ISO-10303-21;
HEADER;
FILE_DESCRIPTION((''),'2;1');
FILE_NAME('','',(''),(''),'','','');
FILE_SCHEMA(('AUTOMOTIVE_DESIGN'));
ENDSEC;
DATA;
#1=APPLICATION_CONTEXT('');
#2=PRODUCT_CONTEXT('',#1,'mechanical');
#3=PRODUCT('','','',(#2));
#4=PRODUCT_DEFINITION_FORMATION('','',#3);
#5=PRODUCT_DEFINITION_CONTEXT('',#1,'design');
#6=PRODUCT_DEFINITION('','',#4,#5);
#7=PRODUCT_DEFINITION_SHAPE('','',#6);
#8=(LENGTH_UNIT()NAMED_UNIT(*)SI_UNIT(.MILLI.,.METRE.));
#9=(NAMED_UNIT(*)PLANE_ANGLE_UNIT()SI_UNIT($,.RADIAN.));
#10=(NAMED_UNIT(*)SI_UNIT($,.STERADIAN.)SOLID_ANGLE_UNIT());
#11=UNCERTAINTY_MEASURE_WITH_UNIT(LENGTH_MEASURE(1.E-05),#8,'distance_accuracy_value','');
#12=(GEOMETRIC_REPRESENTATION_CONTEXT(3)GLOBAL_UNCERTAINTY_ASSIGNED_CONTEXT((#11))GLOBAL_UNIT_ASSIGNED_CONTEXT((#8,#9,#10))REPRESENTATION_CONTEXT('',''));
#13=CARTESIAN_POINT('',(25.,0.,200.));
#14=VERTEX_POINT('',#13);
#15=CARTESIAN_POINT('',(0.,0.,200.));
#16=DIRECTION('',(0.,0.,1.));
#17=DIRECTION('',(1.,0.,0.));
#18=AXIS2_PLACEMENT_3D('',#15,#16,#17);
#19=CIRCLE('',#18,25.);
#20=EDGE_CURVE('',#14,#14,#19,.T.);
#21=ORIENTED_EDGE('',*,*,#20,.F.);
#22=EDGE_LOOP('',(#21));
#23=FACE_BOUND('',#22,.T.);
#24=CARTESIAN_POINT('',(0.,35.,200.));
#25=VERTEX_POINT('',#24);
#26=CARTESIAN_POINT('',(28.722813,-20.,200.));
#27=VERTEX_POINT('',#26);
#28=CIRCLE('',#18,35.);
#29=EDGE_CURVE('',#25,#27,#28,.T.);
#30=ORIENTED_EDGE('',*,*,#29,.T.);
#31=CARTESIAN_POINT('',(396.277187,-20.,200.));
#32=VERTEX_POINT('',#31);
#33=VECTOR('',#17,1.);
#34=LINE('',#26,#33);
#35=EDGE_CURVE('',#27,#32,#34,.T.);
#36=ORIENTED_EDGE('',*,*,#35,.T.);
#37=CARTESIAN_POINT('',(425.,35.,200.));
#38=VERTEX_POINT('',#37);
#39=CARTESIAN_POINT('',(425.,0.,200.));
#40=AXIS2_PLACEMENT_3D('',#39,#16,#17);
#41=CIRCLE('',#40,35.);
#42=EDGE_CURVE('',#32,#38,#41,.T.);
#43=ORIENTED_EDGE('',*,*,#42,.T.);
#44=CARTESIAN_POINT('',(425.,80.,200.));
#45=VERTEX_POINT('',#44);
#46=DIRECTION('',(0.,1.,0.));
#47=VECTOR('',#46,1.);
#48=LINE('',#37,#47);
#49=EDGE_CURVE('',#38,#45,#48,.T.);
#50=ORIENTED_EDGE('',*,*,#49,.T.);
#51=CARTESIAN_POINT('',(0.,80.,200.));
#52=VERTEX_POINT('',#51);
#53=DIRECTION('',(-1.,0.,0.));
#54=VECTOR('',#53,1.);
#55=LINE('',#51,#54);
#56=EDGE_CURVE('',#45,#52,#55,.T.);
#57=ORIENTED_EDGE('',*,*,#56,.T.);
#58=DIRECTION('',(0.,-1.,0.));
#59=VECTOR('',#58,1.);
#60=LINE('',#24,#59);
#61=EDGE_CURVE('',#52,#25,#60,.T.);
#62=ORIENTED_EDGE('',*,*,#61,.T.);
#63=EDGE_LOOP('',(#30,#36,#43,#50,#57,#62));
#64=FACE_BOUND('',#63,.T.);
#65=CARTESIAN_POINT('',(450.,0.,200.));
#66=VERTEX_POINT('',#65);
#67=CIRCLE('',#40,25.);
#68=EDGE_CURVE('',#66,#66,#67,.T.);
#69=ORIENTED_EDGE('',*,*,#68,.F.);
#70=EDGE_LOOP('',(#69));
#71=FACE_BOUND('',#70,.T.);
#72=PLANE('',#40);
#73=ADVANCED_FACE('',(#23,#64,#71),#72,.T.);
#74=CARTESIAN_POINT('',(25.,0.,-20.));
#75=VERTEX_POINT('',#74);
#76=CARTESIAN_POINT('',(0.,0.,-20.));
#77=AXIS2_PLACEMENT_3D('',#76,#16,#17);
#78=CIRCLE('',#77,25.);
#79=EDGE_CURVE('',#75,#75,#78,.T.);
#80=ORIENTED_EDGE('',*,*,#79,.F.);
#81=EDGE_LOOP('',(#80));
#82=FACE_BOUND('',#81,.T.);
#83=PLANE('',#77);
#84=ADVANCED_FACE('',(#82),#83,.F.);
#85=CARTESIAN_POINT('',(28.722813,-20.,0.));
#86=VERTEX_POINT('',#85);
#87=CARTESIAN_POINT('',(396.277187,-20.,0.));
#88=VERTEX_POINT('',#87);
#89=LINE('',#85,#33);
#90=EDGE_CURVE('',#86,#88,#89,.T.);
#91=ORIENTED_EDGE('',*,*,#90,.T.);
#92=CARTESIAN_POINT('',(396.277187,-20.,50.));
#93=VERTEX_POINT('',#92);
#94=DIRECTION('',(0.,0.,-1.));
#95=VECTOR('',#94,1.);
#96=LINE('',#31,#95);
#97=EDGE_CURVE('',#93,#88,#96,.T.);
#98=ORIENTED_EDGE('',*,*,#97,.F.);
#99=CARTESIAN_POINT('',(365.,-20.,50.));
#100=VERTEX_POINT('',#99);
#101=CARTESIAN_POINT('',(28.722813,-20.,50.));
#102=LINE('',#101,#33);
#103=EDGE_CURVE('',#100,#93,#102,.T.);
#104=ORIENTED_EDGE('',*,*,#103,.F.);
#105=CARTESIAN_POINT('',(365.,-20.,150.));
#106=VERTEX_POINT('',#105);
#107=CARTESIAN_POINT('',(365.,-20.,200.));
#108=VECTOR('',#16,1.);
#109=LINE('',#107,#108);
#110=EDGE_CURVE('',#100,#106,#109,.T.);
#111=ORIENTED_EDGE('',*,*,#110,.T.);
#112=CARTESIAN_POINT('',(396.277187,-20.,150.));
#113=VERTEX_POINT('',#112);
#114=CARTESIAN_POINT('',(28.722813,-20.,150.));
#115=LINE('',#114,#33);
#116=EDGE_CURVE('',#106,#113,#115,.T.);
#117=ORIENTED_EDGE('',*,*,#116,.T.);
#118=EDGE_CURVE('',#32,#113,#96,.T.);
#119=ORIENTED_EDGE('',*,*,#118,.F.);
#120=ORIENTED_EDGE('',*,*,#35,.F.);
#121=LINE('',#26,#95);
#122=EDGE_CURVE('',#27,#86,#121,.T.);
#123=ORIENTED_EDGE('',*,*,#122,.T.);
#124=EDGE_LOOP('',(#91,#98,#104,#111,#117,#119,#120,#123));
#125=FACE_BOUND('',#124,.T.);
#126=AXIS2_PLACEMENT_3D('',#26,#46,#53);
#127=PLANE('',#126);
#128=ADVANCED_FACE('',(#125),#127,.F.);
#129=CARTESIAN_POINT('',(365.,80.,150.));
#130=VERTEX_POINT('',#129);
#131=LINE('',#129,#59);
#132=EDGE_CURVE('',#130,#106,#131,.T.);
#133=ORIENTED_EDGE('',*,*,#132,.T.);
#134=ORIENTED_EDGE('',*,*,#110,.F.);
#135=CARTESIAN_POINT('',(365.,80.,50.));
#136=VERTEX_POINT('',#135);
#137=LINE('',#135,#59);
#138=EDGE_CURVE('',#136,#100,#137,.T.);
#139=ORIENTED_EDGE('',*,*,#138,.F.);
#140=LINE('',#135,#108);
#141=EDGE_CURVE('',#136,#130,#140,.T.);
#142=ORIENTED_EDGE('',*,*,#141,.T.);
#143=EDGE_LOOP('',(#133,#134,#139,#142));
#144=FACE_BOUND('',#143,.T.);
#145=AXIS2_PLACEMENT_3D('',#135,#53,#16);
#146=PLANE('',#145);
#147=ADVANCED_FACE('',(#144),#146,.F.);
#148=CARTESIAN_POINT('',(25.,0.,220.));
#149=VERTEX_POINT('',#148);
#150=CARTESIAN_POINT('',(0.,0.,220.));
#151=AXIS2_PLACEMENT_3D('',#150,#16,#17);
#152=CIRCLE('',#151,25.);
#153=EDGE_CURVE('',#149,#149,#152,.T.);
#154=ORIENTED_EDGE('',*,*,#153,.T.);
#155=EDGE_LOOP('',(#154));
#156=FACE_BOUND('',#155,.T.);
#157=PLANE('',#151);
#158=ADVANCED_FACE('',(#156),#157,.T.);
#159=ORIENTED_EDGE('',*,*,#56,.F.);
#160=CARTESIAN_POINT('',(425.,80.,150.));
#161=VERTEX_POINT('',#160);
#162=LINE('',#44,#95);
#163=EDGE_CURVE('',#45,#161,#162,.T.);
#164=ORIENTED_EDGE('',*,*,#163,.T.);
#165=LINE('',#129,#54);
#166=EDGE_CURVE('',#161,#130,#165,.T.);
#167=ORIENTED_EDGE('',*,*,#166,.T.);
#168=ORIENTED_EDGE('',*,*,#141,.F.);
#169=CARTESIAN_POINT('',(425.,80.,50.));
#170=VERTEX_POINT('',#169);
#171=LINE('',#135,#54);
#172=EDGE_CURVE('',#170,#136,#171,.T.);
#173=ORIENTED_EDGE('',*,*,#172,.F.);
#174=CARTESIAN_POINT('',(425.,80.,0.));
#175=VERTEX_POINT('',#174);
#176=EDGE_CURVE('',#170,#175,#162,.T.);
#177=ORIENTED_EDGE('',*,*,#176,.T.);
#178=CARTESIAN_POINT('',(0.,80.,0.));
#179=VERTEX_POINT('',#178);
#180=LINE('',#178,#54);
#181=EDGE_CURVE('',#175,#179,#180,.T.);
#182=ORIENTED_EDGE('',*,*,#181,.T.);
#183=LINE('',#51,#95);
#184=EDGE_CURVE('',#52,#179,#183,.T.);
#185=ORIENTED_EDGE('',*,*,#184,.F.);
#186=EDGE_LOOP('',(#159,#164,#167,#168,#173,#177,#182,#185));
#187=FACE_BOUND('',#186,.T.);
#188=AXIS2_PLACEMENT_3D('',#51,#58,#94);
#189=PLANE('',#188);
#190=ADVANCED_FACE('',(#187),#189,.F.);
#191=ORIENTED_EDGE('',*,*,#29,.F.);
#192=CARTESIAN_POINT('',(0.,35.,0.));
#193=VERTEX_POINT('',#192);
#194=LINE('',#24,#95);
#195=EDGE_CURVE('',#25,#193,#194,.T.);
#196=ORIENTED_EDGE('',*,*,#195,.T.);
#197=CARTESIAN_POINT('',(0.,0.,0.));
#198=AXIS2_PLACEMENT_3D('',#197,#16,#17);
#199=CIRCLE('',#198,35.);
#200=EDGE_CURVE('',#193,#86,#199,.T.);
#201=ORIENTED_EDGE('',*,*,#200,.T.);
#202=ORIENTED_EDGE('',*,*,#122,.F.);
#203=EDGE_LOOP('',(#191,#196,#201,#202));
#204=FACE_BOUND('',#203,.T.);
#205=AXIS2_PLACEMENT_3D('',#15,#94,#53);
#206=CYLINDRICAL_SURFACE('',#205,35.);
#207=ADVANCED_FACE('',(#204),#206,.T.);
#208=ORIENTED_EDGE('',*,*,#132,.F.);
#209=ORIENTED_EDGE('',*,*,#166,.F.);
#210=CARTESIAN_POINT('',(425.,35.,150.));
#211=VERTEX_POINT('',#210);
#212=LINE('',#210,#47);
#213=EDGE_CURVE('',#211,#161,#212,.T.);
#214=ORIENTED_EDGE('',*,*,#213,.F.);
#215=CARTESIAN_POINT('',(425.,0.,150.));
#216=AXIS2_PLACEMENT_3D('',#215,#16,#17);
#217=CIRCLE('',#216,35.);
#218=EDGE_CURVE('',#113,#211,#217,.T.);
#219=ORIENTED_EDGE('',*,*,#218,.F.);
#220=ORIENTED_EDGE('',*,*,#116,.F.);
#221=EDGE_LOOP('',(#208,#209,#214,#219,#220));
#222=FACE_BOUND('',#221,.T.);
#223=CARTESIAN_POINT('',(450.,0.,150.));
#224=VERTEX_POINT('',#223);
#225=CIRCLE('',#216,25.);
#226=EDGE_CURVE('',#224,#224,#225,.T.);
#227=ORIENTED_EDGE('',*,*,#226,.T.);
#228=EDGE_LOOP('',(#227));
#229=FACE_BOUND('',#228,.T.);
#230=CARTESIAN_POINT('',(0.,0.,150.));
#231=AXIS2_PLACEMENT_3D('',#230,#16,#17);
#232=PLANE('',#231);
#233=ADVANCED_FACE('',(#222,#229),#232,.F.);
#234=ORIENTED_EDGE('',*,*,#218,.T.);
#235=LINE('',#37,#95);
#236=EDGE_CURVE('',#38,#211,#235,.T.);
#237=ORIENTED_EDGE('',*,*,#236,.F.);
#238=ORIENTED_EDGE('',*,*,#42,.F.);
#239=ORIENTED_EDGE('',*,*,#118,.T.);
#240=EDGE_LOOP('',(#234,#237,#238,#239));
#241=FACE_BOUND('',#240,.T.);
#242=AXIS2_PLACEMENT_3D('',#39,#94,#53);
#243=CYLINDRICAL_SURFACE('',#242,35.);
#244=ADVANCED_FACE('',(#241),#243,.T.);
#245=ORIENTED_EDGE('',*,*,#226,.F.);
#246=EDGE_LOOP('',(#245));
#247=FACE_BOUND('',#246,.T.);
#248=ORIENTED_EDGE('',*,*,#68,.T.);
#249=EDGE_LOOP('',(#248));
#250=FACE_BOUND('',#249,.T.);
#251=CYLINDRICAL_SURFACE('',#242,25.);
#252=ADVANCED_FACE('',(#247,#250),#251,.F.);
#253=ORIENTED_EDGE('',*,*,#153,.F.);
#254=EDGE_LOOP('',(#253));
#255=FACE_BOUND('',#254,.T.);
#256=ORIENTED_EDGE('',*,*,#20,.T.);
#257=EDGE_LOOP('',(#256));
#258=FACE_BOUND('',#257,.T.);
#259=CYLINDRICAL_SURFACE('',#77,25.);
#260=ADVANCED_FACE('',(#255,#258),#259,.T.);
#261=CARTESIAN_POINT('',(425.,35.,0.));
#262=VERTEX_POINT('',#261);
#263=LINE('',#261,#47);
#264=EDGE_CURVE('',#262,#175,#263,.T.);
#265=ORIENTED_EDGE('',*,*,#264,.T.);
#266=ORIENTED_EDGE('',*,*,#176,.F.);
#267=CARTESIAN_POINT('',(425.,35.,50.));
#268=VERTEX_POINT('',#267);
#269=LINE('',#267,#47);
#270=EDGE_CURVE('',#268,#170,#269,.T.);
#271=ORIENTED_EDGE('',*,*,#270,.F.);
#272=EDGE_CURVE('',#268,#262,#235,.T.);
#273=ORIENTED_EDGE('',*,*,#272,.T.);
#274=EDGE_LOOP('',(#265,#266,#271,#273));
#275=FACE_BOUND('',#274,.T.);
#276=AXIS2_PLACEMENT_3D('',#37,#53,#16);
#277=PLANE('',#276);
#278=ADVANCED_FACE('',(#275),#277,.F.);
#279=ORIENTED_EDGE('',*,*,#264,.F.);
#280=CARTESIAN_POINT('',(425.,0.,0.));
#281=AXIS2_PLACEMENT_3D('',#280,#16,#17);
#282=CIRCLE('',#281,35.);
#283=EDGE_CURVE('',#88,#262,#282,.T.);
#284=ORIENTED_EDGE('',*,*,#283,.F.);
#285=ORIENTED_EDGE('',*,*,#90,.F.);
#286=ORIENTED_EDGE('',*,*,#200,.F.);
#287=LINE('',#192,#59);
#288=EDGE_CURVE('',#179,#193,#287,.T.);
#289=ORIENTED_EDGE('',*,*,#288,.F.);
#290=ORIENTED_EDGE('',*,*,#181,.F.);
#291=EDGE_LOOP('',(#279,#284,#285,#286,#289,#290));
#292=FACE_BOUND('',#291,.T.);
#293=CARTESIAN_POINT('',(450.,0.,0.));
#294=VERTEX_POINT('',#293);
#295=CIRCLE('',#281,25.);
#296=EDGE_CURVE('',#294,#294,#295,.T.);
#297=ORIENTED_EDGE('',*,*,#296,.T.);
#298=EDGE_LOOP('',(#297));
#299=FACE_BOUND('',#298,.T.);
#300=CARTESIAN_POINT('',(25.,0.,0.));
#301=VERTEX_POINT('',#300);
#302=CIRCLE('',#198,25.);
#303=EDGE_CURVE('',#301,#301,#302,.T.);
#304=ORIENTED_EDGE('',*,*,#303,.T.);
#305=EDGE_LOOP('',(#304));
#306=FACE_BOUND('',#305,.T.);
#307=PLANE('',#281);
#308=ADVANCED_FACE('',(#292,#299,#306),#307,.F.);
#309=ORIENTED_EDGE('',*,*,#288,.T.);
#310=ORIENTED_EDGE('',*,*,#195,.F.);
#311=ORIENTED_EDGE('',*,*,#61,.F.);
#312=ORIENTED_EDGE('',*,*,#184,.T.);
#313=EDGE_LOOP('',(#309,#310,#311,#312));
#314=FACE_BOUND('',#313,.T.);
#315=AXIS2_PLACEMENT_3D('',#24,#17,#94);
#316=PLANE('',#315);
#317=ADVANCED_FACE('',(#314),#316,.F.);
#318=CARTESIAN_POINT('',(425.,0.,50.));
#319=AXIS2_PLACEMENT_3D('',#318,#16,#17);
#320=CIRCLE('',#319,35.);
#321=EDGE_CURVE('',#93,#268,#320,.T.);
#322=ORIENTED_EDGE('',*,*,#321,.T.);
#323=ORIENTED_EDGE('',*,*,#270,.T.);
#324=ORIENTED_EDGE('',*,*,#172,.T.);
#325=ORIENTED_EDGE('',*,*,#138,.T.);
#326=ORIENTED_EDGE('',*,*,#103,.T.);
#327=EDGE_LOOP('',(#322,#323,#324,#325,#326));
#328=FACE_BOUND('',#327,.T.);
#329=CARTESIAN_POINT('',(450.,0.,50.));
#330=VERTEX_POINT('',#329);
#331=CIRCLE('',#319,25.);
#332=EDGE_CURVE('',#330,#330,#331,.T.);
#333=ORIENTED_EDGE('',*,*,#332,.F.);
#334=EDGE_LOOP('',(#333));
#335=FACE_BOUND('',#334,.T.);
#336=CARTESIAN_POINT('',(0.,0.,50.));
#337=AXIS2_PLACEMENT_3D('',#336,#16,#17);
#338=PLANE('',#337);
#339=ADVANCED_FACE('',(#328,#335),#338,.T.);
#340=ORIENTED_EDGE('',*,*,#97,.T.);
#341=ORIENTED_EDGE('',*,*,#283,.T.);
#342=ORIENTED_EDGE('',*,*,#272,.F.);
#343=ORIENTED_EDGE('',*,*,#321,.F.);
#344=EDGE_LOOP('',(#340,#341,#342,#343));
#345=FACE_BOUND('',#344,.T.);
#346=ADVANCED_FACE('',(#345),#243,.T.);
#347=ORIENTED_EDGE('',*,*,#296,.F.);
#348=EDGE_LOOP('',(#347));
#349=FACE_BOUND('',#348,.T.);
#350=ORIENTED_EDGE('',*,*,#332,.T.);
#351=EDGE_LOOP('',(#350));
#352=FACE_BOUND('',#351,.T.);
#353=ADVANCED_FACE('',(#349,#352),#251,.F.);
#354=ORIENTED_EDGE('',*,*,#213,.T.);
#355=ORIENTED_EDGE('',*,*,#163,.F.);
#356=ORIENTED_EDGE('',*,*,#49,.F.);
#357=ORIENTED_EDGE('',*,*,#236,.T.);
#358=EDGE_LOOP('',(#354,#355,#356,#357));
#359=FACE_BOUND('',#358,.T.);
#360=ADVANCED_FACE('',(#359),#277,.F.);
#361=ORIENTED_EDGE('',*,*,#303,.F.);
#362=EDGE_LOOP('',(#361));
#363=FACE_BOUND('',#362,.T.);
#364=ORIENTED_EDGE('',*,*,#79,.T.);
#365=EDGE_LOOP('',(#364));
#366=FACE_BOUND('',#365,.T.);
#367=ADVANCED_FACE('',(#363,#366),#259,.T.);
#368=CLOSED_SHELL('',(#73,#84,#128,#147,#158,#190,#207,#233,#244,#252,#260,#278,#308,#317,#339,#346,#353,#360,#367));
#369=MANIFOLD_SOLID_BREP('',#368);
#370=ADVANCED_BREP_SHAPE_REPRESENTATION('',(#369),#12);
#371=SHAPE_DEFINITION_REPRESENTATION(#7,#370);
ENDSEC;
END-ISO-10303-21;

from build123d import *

# Parameters (mm, degrees)
SKETCH1_R                = 25
BOSS_EXTRUDE1_DEPTH      = 200
SKETCH2_R                = 25
BOSS_EXTRUDE2_DEPTH      = 20
BOSS_EXTRUDE2_DEPTH_BACK = 220
CUT_EXTRUDE1_START       = -50
SKETCH3_W                = 128.293241695
SKETCH3_H                = 120
CUT_EXTRUDE1_DEPTH       = 100


with BuildPart() as part:
    # Sketch1 → Boss-Extrude1 (new body)
    with BuildSketch(Plane.XY):
        with BuildLine():
            Line((28.722813233, -20), (396.277186767, -20))
            ThreePointArc((396.277186767, -20), (456.024184115, -16.201851746), (425, 35))
            Line((425, 35), (425, 80))
            Line((425, 80), (0, 80))
            Line((0, 80), (0, 35))
            ThreePointArc((0, 35), (-31.024184115, -16.201851746), (28.722813233, -20))
        make_face()
        with Locations((425, 0)):
            Circle(SKETCH1_R, mode=Mode.SUBTRACT)
    extrude(amount=BOSS_EXTRUDE1_DEPTH)

    # Sketch2 → Boss-Extrude2 (add, two sides)
    with BuildSketch(Plane.XY.offset(200)) as boss_extrude2_sk:
        Circle(SKETCH2_R)
    extrude(amount=BOSS_EXTRUDE2_DEPTH)
    extrude(boss_extrude2_sk.sketch, amount=-BOSS_EXTRUDE2_DEPTH_BACK)

    # Sketch3 → Cut-Extrude1 (cut)
    with BuildSketch(Plane.XY.offset(200).offset(CUT_EXTRUDE1_START)):
        with Locations((429.146620848, 20)):
            Rectangle(SKETCH3_W, SKETCH3_H)
    extrude(amount=-CUT_EXTRUDE1_DEPTH, mode=Mode.SUBTRACT)


solid = part.part
